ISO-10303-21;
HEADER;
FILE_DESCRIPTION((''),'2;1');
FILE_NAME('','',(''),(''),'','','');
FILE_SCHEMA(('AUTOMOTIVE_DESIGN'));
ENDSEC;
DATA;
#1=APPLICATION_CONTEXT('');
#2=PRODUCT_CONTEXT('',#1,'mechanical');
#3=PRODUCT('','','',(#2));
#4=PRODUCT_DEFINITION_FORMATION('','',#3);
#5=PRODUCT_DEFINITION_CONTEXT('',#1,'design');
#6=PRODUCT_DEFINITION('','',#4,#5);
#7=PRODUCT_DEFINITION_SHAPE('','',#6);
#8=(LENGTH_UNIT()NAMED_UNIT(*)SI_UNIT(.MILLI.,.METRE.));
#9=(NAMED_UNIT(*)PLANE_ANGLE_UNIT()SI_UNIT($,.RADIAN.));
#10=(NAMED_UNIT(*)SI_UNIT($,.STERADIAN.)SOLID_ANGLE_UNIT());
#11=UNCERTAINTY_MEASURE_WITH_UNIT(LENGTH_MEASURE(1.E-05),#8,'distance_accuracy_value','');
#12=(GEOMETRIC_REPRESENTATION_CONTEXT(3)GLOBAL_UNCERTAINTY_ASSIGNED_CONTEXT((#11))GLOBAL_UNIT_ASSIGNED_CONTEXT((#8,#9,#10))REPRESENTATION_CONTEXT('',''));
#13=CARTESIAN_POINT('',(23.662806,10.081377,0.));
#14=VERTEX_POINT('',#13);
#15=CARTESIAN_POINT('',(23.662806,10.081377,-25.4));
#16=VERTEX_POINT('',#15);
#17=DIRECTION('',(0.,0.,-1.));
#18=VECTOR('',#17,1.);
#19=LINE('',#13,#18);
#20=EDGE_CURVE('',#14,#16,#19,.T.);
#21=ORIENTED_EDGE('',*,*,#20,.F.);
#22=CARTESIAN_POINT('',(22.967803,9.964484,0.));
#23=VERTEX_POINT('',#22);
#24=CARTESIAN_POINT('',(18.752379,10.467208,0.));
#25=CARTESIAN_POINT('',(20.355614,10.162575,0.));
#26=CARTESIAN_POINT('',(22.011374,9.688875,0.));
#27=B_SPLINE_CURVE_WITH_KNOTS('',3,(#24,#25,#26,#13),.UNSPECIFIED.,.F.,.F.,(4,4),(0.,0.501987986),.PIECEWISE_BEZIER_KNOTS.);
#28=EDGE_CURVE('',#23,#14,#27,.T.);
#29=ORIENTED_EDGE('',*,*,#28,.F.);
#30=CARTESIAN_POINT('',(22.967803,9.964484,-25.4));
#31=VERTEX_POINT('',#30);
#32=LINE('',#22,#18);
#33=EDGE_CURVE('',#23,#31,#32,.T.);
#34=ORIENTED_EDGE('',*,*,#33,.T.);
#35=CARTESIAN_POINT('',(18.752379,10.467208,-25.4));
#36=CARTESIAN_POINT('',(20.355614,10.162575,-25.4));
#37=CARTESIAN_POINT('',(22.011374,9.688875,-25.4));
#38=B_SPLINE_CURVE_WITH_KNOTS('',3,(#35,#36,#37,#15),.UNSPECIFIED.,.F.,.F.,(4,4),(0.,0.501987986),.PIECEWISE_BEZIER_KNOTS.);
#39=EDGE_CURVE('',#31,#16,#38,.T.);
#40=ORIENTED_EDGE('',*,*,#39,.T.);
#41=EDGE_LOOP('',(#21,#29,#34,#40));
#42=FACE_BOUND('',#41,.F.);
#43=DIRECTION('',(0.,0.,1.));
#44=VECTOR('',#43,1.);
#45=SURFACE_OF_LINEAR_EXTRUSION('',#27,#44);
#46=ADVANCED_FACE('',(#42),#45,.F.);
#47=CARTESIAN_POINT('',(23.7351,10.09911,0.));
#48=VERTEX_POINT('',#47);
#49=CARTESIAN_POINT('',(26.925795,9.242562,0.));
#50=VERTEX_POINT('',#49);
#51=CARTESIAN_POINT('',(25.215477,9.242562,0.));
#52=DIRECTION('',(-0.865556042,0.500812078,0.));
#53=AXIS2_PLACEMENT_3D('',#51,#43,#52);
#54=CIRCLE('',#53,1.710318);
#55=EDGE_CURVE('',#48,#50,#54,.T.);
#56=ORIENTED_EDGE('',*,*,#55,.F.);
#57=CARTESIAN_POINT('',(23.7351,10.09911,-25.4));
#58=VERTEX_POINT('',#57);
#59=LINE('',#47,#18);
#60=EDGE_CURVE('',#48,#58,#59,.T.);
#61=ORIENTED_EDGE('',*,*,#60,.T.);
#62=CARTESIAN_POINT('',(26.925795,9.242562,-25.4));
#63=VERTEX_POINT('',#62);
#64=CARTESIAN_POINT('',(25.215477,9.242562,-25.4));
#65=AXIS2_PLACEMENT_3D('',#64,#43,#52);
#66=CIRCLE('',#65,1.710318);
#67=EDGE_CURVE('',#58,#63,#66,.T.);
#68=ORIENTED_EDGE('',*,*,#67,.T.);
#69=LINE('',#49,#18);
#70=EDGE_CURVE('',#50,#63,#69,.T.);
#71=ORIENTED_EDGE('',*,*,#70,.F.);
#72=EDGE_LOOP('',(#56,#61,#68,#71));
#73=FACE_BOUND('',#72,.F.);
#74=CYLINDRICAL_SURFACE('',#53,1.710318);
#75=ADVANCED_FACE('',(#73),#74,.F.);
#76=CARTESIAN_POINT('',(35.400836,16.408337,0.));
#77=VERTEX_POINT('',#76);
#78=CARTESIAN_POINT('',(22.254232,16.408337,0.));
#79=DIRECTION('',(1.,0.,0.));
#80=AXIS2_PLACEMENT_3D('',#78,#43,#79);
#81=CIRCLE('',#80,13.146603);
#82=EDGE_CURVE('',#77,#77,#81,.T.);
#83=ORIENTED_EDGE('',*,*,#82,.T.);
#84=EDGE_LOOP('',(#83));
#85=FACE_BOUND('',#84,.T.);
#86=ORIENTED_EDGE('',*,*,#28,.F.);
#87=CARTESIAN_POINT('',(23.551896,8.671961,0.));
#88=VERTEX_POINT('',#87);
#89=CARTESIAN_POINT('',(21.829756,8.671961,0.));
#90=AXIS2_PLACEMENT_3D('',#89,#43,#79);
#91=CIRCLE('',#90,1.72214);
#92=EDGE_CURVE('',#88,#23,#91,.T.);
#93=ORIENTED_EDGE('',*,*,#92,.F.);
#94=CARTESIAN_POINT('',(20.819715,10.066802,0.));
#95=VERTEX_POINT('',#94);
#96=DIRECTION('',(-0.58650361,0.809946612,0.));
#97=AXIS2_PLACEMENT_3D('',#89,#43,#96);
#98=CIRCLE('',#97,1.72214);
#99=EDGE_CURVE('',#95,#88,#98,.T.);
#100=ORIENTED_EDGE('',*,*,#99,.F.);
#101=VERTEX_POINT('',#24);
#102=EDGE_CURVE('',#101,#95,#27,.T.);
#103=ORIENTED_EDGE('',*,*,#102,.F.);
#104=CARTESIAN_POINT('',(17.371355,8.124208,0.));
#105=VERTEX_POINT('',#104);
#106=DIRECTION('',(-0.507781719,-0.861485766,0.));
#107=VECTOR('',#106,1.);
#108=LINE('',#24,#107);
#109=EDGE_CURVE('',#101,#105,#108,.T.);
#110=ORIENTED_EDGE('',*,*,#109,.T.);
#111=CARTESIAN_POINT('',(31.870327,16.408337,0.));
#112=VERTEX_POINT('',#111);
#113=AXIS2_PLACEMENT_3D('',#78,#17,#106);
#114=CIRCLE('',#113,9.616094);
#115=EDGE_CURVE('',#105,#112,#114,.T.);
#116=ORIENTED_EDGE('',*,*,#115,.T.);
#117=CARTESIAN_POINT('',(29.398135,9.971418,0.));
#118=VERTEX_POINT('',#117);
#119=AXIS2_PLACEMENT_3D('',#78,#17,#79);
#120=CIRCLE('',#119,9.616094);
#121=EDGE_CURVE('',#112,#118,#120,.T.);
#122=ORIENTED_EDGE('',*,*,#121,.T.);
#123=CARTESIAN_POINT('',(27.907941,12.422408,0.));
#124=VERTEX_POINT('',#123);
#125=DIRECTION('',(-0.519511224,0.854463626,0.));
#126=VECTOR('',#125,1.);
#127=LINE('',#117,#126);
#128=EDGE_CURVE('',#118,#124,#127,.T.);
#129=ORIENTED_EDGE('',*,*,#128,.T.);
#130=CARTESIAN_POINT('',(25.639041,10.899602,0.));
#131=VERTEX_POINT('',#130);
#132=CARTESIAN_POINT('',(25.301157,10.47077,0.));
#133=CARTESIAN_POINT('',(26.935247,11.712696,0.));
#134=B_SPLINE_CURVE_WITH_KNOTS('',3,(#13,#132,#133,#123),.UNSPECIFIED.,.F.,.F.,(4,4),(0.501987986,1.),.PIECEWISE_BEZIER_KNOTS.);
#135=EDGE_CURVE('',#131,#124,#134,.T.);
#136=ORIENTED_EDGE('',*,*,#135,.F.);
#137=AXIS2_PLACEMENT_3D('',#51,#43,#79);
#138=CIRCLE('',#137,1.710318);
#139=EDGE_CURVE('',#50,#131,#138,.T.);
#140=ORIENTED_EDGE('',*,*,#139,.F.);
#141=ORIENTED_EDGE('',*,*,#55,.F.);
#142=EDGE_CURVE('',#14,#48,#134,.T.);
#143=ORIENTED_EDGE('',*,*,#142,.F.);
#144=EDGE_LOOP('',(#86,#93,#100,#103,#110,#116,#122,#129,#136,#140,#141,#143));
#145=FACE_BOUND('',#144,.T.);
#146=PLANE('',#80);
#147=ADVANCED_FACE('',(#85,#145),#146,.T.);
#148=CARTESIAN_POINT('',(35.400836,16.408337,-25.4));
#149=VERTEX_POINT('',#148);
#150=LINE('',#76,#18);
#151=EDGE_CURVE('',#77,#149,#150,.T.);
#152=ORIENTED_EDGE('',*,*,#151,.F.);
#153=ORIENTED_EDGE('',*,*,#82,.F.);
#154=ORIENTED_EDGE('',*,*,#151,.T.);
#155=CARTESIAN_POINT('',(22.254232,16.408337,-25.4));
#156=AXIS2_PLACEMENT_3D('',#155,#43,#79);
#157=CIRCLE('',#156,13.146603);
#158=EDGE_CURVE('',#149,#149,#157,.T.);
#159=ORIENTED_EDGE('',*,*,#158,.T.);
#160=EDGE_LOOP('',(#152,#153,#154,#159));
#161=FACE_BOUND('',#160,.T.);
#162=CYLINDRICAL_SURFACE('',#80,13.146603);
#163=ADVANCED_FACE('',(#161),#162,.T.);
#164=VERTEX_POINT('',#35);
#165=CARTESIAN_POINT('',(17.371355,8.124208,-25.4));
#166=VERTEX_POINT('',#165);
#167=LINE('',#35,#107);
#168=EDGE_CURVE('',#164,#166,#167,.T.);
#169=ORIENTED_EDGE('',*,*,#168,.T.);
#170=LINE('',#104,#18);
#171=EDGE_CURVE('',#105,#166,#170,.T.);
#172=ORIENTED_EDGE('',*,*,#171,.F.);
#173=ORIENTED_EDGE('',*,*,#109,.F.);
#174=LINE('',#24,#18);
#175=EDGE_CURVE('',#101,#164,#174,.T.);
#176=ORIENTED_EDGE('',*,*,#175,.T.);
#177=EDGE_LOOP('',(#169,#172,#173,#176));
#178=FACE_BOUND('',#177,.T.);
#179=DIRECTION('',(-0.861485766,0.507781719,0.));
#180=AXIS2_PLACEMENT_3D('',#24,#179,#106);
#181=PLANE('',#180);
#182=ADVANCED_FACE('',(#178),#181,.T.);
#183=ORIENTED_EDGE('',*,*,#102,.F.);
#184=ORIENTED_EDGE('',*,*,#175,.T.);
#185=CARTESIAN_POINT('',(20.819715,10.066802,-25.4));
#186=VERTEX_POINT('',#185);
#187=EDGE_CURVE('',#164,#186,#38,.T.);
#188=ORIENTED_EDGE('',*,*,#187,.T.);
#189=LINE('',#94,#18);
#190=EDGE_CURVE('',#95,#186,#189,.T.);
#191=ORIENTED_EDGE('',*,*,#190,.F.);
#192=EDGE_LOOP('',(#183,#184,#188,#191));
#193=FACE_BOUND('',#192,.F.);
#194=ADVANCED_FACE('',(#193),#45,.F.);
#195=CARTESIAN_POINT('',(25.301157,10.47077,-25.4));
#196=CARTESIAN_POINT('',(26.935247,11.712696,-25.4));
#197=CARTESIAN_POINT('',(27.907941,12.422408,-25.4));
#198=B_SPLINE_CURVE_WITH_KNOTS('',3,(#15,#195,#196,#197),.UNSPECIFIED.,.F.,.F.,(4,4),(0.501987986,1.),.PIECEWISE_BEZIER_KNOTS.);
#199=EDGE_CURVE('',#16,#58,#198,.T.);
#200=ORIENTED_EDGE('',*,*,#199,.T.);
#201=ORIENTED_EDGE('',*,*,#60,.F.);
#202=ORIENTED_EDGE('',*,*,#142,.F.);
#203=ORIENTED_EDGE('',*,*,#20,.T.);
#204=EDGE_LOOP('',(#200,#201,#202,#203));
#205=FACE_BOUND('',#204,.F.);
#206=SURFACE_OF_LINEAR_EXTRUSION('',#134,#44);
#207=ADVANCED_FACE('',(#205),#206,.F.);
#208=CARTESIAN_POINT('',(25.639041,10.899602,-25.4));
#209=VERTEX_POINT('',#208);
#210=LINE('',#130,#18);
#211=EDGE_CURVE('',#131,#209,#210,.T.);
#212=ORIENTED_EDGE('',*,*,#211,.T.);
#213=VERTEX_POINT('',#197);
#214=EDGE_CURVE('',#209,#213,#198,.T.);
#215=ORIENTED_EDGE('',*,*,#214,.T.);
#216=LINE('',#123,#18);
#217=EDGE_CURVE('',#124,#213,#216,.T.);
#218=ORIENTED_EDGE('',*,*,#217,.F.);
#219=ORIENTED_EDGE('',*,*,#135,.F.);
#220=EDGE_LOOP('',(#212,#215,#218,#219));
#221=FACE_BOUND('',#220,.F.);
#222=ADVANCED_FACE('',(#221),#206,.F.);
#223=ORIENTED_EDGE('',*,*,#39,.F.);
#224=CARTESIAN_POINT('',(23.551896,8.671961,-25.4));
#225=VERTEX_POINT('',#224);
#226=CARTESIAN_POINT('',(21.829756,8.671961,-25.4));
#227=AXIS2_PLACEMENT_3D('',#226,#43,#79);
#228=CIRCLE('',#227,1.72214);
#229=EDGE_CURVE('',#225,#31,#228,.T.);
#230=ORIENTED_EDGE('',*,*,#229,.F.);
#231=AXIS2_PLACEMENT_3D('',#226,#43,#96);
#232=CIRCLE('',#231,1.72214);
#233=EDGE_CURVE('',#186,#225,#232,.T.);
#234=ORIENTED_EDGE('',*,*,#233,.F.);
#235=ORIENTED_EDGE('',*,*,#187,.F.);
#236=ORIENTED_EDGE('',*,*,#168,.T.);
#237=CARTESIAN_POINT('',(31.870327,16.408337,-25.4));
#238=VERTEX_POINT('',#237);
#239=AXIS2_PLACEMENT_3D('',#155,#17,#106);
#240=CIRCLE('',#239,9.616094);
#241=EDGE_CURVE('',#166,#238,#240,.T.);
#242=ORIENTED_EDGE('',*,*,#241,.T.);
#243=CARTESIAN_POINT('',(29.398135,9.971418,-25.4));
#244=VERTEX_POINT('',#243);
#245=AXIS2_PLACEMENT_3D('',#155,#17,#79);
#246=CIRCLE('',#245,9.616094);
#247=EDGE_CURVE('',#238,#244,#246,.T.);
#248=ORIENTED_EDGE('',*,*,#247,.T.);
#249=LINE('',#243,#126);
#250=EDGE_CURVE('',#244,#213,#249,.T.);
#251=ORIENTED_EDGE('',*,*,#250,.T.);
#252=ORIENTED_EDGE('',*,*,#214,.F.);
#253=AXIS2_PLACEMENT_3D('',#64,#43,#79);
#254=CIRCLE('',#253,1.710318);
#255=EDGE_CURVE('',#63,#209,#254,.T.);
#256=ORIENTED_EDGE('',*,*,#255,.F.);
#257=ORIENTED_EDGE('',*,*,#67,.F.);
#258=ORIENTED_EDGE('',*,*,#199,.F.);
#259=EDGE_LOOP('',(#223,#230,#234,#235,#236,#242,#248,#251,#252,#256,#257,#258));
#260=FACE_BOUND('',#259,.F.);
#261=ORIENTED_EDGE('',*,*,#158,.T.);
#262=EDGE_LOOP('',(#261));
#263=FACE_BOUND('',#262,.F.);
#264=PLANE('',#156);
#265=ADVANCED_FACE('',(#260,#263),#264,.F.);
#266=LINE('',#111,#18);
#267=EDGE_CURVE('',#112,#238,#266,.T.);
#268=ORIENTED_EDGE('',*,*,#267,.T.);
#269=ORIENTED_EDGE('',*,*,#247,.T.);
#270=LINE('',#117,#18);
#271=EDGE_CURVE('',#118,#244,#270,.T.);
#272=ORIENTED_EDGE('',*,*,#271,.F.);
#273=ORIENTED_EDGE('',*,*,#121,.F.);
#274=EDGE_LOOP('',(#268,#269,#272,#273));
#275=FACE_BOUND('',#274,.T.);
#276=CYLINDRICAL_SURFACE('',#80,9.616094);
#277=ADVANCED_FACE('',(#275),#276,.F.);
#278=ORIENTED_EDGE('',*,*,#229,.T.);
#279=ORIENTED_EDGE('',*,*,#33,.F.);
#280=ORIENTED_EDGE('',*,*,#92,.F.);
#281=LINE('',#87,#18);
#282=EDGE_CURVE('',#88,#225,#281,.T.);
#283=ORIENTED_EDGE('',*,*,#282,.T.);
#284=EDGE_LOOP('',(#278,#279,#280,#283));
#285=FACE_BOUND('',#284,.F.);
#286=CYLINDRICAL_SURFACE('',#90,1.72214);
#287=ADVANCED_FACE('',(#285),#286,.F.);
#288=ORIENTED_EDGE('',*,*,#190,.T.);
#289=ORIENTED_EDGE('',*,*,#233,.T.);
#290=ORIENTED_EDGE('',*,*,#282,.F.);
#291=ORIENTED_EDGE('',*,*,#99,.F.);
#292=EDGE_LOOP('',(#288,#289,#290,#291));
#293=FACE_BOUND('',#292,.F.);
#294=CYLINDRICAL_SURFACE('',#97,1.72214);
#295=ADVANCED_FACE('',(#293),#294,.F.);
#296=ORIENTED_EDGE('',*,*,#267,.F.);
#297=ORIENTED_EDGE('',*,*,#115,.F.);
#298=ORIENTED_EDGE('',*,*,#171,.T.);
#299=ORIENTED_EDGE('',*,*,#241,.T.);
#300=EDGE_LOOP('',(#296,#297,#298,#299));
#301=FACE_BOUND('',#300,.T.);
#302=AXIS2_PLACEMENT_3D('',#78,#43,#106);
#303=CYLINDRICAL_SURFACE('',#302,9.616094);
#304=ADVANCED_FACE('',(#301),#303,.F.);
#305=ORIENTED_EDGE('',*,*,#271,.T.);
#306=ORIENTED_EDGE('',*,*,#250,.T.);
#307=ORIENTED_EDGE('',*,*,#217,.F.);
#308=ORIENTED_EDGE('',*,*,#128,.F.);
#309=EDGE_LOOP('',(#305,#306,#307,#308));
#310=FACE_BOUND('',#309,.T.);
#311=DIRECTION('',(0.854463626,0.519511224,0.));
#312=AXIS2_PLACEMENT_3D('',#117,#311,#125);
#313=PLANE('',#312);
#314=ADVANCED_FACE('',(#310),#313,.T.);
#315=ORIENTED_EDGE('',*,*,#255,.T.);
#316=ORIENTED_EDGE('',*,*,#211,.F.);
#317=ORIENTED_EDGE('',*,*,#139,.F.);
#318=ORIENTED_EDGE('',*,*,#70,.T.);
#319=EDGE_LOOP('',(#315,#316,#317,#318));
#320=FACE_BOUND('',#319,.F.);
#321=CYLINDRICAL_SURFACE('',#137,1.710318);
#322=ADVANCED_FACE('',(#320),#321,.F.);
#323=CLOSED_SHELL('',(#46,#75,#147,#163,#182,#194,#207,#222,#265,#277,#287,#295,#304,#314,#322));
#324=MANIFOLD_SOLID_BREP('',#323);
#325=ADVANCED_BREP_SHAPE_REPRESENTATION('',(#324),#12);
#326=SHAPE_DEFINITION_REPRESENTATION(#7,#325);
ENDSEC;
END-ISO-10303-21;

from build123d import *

# Parameters (mm, degrees)
F0_R     = 13.1466034644
F1_DEPTH = 25.4
F3_DEPTH = 25.4


with BuildPart() as f1:
    # F0 (on Top) → F1 (new body)
    with BuildSketch(Plane.XY):
        with Locations((22.2542323142, 16.408336586)):
            Circle(F0_R)
        with BuildLine():
            ThreePointArc((17.3713553391, 8.1242080796), (17.4837466767, 24.7576922166), (31.8703267742, 16.408336586))
            ThreePointArc((31.8703267742, 16.408336586), (31.2310278998, 12.9606687251), (29.3981352357, 9.9714177802))
            ThreePointArc((29.3981352357, 9.9714177802), (26.7985489054, 7.9337593468), (23.662805616, 6.895966013))
            ThreePointArc((23.662805616, 6.895966013), (20.4117228442, 6.9704114159), (17.3713553391, 8.1242080796))
        make_face(mode=Mode.SUBTRACT)
        with BuildLine():
            ThreePointArc((23.662805616, 6.895966013), (26.7985489054, 7.9337593468), (29.3981352357, 9.9714177802))
            Line((29.3981352357, 9.9714177802), (27.9079406361, 12.4224082931))
            add(Edge.make_bspline(
                [(23.662805616, 10.0813770912), (25.3011567226, 10.4707698937), (26.9352469675, 11.7126964633), (27.9079406361, 12.4224082931)],
                knots=[0.5019879856, 0.5019879856, 0.5019879856, 0.5019879856, 1, 1, 1, 1], degree=3))
            Line((23.662805616, 10.0813770912), (23.662805616, 6.895966013))
        make_face()
        with BuildLine():
            Line((18.7523793429, 10.4672079906), (17.3713553391, 8.1242080796))
            ThreePointArc((17.3713553391, 8.1242080796), (20.4117228442, 6.9704114159), (23.662805616, 6.895966013))
            Line((23.662805616, 6.895966013), (23.662805616, 10.0813770912))
            add(Edge.make_bspline(
                [(18.7523793429, 10.4672079906), (20.3556140754, 10.1625747365), (22.0113744297, 9.688875499), (23.662805616, 10.0813770912)],
                knots=[0, 0, 0, 0, 0.5019879856, 0.5019879856, 0.5019879856, 0.5019879856], degree=3))
        make_face()
    extrude(amount=-F1_DEPTH)

    # F2 (on face) → F3 (cut)
    with BuildSketch(Plane.XY):
        with BuildLine():
            add(Edge.make_bspline(
                [(22.9678027966, 9.964484064), (22.2495247463, 9.8906014768), (21.5319362459, 9.9530967079), (20.8197145148, 10.0668024382)],
                knots=[1.070410353, 1.070410353, 1.070410353, 1.070410353, 1.2887337185, 1.2887337185, 1.2887337185, 1.2887337185], degree=3))
            ThreePointArc((22.9678027966, 9.964484064), (21.9116925702, 10.3921507142), (20.8197145148, 10.0668024382))
        make_face()
        with BuildLine():
            ThreePointArc((20.8197145148, 10.0668024382), (21.046706191, 7.1381420291), (23.551896206, 8.6719607934))
            ThreePointArc((23.551896206, 8.6719607934), (23.3990939232, 9.3811472139), (22.9678027966, 9.964484064))
            add(Edge.make_bspline(
                [(22.9678027966, 9.964484064), (22.2495247463, 9.8906014768), (21.5319362459, 9.9530967079), (20.8197145148, 10.0668024382)],
                knots=[1.070410353, 1.070410353, 1.070410353, 1.070410353, 1.2887337185, 1.2887337185, 1.2887337185, 1.2887337185], degree=3))
        make_face()
        with BuildLine():
            ThreePointArc((25.6390406998, 10.8996020133), (24.5525965747, 10.8191970092), (23.735100283, 10.0991097821))
            add(Edge.make_bspline(
                [(25.6390406998, 10.8996020133), (25.0340333492, 10.5593442342), (24.3856651722, 10.2635991457), (23.735100283, 10.0991097821)],
                knots=[0.7948888634, 0.7948888634, 0.7948888634, 0.7948888634, 0.9926743355, 0.9926743355, 0.9926743355, 0.9926743355], degree=3))
        make_face()
        with BuildLine():
            add(Edge.make_bspline(
                [(25.6390406998, 10.8996020133), (25.0340333492, 10.5593442342), (24.3856651722, 10.2635991457), (23.735100283, 10.0991097821)],
                knots=[0.7948888634, 0.7948888634, 0.7948888634, 0.7948888634, 0.9926743355, 0.9926743355, 0.9926743355, 0.9926743355], degree=3))
            ThreePointArc((23.735100283, 10.0991097821), (24.7720390374, 7.5907286664), (26.9257952006, 9.2425616458))
            ThreePointArc((26.9257952006, 9.2425616458), (26.566331746, 10.2915516272), (25.6390406998, 10.8996020133))
        make_face()
    extrude(amount=-F3_DEPTH, mode=Mode.SUBTRACT)


solid = f1.part
